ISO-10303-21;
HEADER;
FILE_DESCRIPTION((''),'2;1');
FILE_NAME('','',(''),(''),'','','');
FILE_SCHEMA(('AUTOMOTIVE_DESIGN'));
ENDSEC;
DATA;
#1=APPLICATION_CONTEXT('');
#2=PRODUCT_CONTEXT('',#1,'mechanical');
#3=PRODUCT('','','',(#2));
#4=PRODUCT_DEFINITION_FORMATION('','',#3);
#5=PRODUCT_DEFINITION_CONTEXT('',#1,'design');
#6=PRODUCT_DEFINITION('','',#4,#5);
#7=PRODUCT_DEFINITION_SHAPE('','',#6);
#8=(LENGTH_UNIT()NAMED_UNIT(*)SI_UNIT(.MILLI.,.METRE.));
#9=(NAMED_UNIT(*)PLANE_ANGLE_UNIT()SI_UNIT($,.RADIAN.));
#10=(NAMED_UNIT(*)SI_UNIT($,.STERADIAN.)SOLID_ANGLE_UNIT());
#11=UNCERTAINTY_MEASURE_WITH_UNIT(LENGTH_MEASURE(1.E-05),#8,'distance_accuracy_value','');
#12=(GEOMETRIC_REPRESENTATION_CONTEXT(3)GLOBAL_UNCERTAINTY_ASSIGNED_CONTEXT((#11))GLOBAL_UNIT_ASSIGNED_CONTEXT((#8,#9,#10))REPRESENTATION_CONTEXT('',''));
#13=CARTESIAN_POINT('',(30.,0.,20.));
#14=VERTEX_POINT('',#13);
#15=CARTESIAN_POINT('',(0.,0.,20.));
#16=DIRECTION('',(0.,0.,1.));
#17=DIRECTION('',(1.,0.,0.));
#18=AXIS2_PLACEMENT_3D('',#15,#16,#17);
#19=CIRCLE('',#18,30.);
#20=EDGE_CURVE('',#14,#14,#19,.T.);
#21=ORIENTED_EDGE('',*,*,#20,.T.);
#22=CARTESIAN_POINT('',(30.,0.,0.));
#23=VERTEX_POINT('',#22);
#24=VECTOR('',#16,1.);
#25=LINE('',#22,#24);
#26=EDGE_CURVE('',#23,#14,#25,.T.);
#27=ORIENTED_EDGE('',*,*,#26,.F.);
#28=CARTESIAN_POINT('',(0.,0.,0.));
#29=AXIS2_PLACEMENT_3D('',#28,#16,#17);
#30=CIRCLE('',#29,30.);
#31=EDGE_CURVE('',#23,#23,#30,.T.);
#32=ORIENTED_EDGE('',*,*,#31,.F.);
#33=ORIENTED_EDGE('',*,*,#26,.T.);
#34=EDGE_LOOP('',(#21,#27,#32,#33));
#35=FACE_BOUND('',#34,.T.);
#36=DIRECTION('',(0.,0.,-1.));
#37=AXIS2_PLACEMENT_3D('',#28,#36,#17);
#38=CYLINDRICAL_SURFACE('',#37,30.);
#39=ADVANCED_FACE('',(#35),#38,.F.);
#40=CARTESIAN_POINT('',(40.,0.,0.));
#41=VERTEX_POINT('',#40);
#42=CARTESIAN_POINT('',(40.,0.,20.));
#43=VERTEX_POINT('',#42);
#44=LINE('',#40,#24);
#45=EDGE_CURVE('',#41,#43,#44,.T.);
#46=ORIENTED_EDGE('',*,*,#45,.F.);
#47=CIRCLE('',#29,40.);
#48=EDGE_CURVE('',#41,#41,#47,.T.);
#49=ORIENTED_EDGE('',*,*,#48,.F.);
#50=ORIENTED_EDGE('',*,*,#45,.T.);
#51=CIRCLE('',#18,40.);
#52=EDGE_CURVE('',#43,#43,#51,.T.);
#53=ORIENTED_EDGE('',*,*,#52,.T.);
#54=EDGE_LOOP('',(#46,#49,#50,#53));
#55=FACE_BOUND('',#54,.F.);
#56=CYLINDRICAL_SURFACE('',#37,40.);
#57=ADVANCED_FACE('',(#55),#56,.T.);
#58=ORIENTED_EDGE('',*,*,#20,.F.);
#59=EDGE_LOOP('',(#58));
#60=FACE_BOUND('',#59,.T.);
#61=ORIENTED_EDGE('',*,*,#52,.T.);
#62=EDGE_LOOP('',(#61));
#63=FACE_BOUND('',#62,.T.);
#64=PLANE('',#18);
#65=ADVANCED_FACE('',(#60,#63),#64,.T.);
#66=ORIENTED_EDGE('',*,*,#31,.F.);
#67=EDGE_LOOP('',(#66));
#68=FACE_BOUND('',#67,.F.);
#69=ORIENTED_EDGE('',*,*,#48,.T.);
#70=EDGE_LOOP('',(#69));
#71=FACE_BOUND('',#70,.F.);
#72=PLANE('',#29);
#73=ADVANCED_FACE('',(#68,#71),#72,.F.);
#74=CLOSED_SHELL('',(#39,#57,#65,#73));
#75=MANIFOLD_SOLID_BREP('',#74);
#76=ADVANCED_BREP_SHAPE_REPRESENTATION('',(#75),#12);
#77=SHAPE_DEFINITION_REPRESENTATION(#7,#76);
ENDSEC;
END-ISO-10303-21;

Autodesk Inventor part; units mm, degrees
ref_plane "YZ Plane" through (0, 0, 0) normal (1, 0, 0) x (0, 1, 0)
ref_plane "XZ Plane" through (0, 0, 0) normal (0, 1, 0) x (-1, 0, 0)
ref_plane "XY Plane" through (0, 0, 0) normal (0, 0, 1) x (1, 0, 0)
sketch "Skizze1" plane through (0, 0, 0) normal (0, 0, 1) x (1, 0, 0)
  circle A0 centre (0, 0) radius 30
  circle A1 centre (0, 0) radius 40
  dimension "d0" = 60
  dimension "d1" = 80
extrude "Extrusion1" add sketch "Skizze1" along normal blind 20
properties part number "Gummierung Antrieb"
